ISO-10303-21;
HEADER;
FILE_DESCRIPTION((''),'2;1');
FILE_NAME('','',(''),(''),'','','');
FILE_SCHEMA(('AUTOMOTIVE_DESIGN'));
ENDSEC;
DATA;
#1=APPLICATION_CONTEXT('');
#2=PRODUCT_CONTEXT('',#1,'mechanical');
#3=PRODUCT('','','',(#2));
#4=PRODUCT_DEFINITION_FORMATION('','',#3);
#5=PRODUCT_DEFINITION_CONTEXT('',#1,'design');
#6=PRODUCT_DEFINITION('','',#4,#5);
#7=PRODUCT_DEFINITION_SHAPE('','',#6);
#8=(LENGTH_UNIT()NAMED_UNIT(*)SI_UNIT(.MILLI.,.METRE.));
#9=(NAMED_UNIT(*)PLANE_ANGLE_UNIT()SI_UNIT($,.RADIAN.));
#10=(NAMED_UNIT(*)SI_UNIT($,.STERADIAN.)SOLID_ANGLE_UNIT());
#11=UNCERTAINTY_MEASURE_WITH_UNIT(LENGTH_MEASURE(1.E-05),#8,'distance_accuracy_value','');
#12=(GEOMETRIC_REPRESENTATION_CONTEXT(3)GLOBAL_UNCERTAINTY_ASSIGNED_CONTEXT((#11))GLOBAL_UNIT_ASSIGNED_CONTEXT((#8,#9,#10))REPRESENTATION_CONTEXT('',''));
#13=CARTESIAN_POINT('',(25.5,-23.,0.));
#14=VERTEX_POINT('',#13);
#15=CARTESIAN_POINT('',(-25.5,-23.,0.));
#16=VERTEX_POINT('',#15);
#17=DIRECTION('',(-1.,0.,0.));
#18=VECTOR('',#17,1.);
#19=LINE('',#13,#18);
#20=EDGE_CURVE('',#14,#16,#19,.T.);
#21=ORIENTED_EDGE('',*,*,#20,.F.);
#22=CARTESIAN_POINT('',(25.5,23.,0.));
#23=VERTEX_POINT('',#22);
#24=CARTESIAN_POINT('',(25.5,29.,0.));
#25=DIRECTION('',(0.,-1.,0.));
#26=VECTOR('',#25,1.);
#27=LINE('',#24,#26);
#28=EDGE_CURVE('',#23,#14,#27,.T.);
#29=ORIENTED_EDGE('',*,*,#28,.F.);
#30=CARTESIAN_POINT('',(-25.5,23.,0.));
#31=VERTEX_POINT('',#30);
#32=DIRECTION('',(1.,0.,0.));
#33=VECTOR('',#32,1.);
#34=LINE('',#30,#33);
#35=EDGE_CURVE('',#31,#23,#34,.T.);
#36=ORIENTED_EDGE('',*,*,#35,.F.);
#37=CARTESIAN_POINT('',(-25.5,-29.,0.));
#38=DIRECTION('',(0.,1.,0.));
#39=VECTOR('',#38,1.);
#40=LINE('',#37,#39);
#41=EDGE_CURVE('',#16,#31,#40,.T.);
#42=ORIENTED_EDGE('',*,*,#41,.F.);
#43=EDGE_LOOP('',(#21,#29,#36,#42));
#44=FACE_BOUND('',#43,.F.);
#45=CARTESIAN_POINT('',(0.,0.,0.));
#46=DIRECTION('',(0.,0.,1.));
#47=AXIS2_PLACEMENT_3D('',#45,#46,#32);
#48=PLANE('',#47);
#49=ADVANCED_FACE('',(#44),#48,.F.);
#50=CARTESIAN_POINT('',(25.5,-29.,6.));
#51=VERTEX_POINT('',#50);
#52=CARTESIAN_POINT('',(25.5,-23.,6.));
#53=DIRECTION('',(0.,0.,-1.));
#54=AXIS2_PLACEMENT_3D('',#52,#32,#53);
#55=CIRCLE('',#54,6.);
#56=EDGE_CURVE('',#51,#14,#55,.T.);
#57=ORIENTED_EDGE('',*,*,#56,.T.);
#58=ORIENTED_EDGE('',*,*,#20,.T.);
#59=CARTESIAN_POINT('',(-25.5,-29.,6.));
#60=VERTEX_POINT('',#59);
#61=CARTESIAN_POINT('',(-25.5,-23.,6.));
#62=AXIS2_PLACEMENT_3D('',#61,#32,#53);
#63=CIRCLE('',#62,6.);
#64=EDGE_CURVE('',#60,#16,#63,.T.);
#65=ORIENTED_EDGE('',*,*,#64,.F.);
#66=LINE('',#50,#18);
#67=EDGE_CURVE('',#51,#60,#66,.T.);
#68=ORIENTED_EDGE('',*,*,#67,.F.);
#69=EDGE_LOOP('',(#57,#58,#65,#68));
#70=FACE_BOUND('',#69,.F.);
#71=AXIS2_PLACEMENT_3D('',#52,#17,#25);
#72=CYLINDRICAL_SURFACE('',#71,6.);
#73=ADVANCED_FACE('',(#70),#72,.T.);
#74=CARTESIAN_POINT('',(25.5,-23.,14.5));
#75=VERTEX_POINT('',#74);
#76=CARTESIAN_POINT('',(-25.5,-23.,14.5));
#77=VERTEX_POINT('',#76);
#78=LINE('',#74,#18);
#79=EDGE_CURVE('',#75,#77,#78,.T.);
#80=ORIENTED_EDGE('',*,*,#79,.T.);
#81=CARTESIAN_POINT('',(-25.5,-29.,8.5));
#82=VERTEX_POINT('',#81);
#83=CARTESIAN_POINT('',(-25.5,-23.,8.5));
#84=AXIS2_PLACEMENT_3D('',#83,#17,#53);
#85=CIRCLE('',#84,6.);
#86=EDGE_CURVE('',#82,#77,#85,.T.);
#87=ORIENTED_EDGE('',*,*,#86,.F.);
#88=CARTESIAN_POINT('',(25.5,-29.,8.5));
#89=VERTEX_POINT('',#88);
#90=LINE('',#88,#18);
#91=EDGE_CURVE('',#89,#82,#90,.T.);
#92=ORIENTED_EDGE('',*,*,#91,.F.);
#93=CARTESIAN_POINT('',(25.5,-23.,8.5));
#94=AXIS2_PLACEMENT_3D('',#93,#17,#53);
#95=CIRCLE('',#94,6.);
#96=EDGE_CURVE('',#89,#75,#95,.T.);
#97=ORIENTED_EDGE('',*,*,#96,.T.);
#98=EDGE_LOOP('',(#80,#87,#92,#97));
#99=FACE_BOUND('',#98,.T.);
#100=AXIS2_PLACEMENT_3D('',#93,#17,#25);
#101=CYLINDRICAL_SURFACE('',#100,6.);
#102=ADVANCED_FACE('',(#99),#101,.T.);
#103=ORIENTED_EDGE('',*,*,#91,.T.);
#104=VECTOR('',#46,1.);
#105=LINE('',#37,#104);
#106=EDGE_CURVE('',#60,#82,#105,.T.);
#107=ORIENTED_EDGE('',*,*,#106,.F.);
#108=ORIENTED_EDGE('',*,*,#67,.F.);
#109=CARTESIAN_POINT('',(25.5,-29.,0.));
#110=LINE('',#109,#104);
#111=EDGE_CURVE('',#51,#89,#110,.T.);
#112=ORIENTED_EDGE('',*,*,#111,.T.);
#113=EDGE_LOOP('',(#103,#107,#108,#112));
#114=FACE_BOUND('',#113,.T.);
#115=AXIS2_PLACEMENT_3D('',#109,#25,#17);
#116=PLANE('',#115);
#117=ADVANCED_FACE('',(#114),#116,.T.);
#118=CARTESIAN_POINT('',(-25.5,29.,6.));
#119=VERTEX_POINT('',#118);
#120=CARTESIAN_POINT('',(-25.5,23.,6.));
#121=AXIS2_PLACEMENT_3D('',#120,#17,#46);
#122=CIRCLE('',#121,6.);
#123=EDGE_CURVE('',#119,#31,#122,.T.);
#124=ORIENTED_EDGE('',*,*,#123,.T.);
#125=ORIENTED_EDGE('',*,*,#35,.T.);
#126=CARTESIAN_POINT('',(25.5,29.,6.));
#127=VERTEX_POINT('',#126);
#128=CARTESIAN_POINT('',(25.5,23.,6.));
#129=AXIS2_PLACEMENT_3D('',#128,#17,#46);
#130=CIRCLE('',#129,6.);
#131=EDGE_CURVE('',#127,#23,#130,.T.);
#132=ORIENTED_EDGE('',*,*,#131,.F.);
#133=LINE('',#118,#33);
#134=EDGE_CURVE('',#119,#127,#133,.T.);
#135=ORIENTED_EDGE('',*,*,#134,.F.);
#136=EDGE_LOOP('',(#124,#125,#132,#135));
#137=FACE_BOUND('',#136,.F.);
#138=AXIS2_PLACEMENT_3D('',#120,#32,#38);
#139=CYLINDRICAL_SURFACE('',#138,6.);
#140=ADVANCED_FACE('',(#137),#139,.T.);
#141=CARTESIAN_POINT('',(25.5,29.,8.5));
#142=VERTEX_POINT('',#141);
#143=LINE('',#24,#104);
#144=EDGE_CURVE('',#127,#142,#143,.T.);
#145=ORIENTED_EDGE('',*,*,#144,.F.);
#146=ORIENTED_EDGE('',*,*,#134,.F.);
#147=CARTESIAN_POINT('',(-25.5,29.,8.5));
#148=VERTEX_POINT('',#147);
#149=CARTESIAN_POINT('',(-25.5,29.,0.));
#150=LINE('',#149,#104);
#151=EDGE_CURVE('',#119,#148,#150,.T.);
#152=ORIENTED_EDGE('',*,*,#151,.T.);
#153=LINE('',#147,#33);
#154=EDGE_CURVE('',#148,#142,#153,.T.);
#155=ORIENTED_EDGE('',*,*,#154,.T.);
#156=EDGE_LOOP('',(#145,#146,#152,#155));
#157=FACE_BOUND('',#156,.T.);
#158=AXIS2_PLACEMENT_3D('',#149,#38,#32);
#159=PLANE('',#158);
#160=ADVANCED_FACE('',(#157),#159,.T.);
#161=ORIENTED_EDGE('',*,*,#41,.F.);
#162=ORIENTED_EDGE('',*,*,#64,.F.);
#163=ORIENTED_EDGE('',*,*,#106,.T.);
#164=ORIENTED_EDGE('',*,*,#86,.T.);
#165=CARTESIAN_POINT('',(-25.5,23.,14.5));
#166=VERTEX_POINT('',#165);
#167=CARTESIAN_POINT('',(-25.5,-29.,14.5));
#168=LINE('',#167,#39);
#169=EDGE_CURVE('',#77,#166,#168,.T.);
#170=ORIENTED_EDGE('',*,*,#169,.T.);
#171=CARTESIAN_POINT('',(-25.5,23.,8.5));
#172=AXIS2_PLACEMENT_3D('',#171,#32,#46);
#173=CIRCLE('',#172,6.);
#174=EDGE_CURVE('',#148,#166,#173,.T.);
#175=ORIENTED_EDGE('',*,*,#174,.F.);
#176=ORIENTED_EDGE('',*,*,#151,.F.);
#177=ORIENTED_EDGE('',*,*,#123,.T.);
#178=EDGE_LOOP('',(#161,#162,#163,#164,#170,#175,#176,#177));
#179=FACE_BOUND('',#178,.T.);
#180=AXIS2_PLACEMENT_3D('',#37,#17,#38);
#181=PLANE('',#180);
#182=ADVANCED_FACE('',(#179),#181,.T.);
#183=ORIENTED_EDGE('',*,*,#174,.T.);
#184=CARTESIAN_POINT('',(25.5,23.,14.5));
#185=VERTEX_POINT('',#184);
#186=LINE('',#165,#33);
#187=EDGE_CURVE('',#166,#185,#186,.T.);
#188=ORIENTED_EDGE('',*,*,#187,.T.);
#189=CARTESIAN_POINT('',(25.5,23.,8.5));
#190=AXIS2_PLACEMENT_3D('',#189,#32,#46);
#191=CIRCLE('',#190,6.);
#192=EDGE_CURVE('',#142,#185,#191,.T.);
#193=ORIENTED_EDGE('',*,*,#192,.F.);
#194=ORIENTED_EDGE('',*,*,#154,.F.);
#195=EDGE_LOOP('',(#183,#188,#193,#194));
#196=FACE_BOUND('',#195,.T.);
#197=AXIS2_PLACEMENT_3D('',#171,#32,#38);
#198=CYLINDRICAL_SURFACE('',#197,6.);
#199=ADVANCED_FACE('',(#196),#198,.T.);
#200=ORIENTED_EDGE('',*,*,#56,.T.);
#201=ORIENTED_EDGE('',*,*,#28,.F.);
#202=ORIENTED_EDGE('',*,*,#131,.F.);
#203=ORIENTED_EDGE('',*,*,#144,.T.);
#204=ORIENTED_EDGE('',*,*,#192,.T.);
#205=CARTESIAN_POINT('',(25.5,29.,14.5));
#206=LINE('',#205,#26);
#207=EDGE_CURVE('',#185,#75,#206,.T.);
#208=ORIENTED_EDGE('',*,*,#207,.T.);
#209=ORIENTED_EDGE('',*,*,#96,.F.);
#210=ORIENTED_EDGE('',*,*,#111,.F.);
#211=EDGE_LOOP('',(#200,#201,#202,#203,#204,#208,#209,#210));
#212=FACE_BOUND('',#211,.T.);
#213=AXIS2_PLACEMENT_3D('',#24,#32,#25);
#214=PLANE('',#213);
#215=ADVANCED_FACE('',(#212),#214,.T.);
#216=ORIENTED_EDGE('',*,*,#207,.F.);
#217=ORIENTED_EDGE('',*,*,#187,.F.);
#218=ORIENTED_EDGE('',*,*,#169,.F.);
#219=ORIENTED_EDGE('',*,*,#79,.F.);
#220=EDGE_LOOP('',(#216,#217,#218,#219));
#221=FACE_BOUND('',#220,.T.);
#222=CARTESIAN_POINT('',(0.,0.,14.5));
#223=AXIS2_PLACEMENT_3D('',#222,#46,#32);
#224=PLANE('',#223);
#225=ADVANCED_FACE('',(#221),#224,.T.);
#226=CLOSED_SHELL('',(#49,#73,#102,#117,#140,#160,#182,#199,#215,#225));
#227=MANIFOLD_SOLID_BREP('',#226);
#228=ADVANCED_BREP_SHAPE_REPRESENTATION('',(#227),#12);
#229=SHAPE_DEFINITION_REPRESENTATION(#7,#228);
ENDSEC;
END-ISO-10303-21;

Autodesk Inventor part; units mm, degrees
ref_plane "YZ Plane" through (0, 0, 0) normal (1, 0, 0) x (0, 1, 0)
ref_plane "XZ Plane" through (0, 0, 0) normal (0, 1, 0) x (-1, 0, 0)
ref_plane "XY Plane" through (0, 0, 0) normal (0, 0, 1) x (1, 0, 0)
sketch "スケッチ1" plane through (0, 0, 0) normal (0, 0, 1) x (1, 0, 0)
  line L0 (-25.5, 29) -> (25.5, 29)
  line L1 (25.5, 29) -> (25.5, -29)
  line L2 (25.5, -29) -> (-25.5, -29)
  line L3 (-25.5, -29) -> (-25.5, 29)
  point P0 (0, 0)
  point P1 (-25.5, 0)
  point P2 (0, -29)
  dimension "d0" = 51
  dimension "d1" = 58
extrude "押し出し1" add sketch "スケッチ1" along normal blind 14.5
fillet "フィレット1" radius 6 4 edges at (0, 29, 14.5) (0, 29, 0) (0, -29, 14.5) (0, -29, 0)
properties part number "AA-Cellx4"
